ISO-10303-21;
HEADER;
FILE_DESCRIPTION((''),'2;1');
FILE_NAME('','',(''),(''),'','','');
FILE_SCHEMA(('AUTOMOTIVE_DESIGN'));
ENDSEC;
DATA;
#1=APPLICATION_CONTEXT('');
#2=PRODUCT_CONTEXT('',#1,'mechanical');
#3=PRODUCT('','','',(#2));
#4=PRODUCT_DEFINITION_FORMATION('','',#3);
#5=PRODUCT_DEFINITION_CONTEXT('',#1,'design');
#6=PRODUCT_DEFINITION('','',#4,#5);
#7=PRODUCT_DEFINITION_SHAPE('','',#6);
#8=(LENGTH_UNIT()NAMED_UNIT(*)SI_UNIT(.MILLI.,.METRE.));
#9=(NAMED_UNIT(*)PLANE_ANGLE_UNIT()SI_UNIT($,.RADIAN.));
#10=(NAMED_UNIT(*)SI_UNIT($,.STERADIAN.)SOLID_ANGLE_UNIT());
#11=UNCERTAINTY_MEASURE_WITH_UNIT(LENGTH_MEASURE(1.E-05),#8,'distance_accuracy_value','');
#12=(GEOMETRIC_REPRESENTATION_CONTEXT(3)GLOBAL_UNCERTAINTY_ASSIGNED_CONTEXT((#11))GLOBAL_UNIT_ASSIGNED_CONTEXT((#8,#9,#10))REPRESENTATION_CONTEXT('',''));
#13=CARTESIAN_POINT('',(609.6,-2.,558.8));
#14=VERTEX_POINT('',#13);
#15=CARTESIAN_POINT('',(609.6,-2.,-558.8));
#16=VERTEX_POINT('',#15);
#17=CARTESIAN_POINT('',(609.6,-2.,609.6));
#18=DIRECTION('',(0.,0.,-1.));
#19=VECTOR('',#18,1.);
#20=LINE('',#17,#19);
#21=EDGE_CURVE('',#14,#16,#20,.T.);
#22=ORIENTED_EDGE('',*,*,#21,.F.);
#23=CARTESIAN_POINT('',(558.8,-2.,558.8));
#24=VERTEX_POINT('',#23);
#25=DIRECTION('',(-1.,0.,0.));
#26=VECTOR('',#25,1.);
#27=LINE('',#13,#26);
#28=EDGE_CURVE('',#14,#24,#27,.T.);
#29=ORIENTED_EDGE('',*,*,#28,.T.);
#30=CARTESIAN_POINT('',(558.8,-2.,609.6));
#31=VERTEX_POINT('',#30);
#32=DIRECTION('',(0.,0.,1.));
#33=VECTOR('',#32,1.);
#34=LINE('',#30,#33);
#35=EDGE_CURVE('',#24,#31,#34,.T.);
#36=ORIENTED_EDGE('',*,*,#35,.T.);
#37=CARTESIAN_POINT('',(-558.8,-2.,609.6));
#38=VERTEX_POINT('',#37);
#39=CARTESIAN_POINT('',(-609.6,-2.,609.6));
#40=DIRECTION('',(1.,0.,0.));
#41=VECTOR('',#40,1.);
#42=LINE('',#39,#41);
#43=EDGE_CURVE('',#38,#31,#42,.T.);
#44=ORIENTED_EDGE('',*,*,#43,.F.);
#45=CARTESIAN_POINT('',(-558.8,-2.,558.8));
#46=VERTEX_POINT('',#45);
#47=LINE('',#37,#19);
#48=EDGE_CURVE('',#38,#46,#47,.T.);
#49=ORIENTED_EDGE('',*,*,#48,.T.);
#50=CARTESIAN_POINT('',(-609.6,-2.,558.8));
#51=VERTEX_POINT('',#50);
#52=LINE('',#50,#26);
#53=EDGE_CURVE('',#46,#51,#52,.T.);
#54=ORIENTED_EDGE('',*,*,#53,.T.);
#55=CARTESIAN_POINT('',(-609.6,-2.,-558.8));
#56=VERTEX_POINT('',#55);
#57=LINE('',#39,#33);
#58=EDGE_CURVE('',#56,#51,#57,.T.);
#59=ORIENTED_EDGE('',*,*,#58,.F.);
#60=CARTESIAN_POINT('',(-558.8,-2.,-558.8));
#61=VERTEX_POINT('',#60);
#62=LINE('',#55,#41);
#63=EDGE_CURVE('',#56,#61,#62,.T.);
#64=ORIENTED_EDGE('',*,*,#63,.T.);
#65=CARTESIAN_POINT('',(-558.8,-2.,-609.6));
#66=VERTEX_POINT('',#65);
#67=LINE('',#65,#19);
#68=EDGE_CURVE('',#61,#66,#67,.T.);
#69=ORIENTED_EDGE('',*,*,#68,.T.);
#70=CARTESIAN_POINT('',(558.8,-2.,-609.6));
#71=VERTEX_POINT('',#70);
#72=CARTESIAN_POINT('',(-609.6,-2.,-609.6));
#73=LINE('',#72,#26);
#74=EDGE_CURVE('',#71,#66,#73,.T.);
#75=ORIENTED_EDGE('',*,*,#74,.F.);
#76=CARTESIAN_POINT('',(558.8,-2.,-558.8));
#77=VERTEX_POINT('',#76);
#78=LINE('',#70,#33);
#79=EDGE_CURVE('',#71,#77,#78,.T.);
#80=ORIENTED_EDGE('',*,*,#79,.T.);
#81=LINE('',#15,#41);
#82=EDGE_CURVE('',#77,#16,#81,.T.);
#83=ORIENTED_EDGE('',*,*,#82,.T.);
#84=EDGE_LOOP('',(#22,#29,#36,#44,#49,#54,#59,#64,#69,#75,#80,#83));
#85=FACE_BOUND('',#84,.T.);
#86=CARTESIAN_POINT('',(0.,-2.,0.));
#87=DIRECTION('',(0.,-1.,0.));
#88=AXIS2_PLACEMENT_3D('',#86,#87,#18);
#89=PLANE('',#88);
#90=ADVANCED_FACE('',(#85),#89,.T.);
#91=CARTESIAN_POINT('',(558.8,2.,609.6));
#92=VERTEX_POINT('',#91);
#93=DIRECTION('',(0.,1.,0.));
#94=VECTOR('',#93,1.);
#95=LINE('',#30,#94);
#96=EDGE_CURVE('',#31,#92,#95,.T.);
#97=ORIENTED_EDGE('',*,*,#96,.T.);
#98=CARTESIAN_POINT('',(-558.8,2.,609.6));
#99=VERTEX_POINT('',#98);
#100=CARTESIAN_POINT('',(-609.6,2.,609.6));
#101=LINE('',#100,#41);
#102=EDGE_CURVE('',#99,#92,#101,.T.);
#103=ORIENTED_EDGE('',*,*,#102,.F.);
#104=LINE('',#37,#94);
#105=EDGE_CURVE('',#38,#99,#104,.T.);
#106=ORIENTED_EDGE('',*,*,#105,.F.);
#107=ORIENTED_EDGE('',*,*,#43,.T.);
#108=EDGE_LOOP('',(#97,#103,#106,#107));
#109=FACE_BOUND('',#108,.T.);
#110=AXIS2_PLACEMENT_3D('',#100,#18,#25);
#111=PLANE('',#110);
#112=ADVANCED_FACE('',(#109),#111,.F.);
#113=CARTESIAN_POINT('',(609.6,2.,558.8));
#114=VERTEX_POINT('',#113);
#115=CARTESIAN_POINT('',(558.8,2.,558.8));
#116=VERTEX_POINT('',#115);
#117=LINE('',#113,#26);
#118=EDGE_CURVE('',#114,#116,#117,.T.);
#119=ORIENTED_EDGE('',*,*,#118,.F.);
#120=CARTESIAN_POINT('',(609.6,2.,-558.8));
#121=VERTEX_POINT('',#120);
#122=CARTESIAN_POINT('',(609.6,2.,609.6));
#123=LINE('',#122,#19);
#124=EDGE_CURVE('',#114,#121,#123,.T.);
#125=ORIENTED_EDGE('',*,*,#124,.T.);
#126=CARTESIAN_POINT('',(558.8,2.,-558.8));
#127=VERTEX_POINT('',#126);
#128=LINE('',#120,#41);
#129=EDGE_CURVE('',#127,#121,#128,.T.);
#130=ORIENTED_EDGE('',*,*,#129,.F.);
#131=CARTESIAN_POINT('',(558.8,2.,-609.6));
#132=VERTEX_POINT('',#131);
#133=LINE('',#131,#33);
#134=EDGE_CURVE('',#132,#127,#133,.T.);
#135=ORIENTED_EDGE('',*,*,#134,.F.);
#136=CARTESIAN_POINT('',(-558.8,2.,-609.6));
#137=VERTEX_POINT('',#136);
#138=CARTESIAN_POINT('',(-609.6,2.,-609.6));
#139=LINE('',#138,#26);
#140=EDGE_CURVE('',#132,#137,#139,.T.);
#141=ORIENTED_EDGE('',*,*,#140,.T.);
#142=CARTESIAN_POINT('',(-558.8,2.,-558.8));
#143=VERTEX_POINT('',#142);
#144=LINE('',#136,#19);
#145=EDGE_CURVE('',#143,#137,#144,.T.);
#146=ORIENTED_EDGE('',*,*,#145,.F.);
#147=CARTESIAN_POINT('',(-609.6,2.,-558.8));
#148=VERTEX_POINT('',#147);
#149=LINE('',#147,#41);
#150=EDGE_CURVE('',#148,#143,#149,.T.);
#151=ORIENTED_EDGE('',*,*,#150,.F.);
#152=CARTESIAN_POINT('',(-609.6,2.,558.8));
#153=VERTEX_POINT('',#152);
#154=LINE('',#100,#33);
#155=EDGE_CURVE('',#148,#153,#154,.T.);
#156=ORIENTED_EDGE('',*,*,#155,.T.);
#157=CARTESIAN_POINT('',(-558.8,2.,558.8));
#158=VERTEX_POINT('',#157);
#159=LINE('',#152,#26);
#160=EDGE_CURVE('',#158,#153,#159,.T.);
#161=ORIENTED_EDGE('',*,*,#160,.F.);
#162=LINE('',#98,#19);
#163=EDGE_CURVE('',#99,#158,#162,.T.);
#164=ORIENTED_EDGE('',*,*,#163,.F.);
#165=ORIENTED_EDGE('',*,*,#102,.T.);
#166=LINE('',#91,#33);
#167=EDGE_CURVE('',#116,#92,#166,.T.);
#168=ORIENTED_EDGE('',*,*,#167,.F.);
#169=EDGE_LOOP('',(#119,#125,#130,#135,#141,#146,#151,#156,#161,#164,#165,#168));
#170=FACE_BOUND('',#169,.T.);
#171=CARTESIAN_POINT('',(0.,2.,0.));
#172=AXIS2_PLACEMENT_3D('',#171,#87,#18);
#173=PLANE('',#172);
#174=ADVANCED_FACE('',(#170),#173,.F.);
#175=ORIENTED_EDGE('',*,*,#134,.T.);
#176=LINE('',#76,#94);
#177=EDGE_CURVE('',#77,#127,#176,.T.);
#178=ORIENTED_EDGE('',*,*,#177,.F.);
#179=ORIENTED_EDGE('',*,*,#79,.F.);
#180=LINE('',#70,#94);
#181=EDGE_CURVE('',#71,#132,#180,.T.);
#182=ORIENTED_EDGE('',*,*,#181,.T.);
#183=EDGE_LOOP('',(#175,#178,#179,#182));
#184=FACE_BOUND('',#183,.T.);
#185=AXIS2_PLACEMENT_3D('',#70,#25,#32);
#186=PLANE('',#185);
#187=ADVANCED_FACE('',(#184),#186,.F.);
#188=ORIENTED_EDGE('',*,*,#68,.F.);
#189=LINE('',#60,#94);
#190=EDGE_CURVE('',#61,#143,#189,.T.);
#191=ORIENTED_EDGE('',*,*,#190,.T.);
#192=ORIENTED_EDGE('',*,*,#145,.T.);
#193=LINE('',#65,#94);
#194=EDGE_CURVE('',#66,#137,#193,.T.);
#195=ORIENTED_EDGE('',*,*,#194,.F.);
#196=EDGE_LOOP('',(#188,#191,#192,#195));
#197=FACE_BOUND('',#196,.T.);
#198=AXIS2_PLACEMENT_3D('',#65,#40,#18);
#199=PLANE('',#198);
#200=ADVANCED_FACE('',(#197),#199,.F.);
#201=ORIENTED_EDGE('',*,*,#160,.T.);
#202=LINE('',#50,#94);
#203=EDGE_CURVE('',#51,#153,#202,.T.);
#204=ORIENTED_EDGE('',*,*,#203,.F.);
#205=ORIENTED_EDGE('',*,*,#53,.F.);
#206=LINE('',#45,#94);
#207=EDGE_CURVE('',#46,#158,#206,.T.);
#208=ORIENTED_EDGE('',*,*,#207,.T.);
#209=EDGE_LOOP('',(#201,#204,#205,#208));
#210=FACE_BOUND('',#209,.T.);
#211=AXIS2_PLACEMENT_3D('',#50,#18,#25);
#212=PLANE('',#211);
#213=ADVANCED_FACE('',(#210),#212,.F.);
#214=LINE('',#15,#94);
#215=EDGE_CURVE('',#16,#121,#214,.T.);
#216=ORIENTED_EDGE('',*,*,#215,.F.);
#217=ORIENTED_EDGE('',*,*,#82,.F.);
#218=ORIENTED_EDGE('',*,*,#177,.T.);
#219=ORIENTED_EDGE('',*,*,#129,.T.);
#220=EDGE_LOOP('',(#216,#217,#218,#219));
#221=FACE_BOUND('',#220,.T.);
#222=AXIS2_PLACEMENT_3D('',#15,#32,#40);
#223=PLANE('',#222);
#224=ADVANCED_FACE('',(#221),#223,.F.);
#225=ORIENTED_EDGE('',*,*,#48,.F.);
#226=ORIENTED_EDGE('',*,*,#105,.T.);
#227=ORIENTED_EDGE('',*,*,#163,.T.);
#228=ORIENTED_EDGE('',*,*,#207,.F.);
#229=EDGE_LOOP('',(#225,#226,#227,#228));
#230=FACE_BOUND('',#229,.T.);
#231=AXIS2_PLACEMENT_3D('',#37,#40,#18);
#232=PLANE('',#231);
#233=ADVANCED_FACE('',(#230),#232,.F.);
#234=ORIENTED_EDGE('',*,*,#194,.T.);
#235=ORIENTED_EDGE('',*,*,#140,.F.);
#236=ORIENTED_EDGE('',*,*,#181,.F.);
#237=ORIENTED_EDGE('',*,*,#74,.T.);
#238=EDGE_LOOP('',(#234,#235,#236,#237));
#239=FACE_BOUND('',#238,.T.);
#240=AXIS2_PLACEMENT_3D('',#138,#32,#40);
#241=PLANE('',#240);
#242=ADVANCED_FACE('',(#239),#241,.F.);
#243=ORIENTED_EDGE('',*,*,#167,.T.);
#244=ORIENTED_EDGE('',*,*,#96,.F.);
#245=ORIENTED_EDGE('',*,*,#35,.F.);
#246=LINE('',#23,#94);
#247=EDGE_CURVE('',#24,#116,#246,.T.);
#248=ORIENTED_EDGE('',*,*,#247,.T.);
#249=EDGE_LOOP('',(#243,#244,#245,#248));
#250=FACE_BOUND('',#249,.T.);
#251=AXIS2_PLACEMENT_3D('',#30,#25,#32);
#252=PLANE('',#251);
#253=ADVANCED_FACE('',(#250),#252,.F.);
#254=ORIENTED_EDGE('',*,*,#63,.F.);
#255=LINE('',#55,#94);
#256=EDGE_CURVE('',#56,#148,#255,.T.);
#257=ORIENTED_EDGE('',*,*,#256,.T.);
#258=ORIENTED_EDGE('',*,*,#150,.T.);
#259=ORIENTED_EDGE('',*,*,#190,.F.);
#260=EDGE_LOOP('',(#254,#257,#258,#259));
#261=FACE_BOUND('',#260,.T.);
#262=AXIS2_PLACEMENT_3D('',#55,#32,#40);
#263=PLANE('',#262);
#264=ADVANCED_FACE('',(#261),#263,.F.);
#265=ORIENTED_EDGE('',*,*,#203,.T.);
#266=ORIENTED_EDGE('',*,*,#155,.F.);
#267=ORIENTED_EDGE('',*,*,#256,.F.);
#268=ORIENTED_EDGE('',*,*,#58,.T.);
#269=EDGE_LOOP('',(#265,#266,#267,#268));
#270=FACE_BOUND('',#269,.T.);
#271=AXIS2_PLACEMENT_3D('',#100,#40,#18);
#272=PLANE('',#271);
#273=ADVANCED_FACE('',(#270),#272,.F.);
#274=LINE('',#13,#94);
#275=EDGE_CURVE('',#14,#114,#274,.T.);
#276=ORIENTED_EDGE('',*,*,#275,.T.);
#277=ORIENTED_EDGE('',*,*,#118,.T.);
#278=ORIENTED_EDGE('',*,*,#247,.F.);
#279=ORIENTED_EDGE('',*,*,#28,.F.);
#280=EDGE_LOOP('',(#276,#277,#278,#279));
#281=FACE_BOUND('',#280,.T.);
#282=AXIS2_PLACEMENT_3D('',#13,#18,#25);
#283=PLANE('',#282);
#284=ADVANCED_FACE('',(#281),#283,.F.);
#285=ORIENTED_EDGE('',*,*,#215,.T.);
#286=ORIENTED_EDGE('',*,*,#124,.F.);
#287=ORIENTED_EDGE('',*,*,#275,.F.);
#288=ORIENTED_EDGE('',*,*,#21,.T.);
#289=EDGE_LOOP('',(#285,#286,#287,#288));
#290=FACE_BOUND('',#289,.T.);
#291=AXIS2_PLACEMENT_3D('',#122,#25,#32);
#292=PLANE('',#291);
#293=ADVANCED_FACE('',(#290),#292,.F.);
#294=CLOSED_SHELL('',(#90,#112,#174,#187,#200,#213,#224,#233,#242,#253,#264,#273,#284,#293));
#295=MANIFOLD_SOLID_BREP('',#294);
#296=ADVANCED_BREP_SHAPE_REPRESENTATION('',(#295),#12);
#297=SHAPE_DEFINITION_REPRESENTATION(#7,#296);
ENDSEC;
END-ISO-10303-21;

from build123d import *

# Parameters (mm, degrees)
SKETCH1_W           = 1219.2
SKETCH1_H           = 1219.2
BOSS_EXTRUDE1_DEPTH = 2
SKETCH2_W           = 50.8
SKETCH2_H           = 50.8
CUT_EXTRUDE1_DEPTH  = 863.113867189


with BuildPart() as part:
    # Sketch1 → Boss-Extrude1 (new, symmetric)
    with BuildSketch(Plane(origin=(0, 0, 0), x_dir=(1, 0, 0), z_dir=(0, 1, 0))):
        Rectangle(SKETCH1_W, SKETCH1_H)
    extrude(amount=BOSS_EXTRUDE1_DEPTH, both=True)

    # Sketch2 → Cut-Extrude1 (cut, through all)
    with BuildSketch(Plane(origin=(0, 2, 0), x_dir=(1, 0, 0), z_dir=(0, 1, 0))):
        with Locations((-584.2, 584.2)):
            Rectangle(SKETCH2_W, SKETCH2_H)
        with Locations((584.2, 584.2)):
            Rectangle(SKETCH2_W, SKETCH2_H)
        with Locations((584.2, -584.2)):
            Rectangle(SKETCH2_W, SKETCH2_H)
        with Locations((-584.2, -584.2)):
            Rectangle(SKETCH2_W, SKETCH2_H)
    extrude(amount=-CUT_EXTRUDE1_DEPTH, mode=Mode.SUBTRACT)


solid = part.part
